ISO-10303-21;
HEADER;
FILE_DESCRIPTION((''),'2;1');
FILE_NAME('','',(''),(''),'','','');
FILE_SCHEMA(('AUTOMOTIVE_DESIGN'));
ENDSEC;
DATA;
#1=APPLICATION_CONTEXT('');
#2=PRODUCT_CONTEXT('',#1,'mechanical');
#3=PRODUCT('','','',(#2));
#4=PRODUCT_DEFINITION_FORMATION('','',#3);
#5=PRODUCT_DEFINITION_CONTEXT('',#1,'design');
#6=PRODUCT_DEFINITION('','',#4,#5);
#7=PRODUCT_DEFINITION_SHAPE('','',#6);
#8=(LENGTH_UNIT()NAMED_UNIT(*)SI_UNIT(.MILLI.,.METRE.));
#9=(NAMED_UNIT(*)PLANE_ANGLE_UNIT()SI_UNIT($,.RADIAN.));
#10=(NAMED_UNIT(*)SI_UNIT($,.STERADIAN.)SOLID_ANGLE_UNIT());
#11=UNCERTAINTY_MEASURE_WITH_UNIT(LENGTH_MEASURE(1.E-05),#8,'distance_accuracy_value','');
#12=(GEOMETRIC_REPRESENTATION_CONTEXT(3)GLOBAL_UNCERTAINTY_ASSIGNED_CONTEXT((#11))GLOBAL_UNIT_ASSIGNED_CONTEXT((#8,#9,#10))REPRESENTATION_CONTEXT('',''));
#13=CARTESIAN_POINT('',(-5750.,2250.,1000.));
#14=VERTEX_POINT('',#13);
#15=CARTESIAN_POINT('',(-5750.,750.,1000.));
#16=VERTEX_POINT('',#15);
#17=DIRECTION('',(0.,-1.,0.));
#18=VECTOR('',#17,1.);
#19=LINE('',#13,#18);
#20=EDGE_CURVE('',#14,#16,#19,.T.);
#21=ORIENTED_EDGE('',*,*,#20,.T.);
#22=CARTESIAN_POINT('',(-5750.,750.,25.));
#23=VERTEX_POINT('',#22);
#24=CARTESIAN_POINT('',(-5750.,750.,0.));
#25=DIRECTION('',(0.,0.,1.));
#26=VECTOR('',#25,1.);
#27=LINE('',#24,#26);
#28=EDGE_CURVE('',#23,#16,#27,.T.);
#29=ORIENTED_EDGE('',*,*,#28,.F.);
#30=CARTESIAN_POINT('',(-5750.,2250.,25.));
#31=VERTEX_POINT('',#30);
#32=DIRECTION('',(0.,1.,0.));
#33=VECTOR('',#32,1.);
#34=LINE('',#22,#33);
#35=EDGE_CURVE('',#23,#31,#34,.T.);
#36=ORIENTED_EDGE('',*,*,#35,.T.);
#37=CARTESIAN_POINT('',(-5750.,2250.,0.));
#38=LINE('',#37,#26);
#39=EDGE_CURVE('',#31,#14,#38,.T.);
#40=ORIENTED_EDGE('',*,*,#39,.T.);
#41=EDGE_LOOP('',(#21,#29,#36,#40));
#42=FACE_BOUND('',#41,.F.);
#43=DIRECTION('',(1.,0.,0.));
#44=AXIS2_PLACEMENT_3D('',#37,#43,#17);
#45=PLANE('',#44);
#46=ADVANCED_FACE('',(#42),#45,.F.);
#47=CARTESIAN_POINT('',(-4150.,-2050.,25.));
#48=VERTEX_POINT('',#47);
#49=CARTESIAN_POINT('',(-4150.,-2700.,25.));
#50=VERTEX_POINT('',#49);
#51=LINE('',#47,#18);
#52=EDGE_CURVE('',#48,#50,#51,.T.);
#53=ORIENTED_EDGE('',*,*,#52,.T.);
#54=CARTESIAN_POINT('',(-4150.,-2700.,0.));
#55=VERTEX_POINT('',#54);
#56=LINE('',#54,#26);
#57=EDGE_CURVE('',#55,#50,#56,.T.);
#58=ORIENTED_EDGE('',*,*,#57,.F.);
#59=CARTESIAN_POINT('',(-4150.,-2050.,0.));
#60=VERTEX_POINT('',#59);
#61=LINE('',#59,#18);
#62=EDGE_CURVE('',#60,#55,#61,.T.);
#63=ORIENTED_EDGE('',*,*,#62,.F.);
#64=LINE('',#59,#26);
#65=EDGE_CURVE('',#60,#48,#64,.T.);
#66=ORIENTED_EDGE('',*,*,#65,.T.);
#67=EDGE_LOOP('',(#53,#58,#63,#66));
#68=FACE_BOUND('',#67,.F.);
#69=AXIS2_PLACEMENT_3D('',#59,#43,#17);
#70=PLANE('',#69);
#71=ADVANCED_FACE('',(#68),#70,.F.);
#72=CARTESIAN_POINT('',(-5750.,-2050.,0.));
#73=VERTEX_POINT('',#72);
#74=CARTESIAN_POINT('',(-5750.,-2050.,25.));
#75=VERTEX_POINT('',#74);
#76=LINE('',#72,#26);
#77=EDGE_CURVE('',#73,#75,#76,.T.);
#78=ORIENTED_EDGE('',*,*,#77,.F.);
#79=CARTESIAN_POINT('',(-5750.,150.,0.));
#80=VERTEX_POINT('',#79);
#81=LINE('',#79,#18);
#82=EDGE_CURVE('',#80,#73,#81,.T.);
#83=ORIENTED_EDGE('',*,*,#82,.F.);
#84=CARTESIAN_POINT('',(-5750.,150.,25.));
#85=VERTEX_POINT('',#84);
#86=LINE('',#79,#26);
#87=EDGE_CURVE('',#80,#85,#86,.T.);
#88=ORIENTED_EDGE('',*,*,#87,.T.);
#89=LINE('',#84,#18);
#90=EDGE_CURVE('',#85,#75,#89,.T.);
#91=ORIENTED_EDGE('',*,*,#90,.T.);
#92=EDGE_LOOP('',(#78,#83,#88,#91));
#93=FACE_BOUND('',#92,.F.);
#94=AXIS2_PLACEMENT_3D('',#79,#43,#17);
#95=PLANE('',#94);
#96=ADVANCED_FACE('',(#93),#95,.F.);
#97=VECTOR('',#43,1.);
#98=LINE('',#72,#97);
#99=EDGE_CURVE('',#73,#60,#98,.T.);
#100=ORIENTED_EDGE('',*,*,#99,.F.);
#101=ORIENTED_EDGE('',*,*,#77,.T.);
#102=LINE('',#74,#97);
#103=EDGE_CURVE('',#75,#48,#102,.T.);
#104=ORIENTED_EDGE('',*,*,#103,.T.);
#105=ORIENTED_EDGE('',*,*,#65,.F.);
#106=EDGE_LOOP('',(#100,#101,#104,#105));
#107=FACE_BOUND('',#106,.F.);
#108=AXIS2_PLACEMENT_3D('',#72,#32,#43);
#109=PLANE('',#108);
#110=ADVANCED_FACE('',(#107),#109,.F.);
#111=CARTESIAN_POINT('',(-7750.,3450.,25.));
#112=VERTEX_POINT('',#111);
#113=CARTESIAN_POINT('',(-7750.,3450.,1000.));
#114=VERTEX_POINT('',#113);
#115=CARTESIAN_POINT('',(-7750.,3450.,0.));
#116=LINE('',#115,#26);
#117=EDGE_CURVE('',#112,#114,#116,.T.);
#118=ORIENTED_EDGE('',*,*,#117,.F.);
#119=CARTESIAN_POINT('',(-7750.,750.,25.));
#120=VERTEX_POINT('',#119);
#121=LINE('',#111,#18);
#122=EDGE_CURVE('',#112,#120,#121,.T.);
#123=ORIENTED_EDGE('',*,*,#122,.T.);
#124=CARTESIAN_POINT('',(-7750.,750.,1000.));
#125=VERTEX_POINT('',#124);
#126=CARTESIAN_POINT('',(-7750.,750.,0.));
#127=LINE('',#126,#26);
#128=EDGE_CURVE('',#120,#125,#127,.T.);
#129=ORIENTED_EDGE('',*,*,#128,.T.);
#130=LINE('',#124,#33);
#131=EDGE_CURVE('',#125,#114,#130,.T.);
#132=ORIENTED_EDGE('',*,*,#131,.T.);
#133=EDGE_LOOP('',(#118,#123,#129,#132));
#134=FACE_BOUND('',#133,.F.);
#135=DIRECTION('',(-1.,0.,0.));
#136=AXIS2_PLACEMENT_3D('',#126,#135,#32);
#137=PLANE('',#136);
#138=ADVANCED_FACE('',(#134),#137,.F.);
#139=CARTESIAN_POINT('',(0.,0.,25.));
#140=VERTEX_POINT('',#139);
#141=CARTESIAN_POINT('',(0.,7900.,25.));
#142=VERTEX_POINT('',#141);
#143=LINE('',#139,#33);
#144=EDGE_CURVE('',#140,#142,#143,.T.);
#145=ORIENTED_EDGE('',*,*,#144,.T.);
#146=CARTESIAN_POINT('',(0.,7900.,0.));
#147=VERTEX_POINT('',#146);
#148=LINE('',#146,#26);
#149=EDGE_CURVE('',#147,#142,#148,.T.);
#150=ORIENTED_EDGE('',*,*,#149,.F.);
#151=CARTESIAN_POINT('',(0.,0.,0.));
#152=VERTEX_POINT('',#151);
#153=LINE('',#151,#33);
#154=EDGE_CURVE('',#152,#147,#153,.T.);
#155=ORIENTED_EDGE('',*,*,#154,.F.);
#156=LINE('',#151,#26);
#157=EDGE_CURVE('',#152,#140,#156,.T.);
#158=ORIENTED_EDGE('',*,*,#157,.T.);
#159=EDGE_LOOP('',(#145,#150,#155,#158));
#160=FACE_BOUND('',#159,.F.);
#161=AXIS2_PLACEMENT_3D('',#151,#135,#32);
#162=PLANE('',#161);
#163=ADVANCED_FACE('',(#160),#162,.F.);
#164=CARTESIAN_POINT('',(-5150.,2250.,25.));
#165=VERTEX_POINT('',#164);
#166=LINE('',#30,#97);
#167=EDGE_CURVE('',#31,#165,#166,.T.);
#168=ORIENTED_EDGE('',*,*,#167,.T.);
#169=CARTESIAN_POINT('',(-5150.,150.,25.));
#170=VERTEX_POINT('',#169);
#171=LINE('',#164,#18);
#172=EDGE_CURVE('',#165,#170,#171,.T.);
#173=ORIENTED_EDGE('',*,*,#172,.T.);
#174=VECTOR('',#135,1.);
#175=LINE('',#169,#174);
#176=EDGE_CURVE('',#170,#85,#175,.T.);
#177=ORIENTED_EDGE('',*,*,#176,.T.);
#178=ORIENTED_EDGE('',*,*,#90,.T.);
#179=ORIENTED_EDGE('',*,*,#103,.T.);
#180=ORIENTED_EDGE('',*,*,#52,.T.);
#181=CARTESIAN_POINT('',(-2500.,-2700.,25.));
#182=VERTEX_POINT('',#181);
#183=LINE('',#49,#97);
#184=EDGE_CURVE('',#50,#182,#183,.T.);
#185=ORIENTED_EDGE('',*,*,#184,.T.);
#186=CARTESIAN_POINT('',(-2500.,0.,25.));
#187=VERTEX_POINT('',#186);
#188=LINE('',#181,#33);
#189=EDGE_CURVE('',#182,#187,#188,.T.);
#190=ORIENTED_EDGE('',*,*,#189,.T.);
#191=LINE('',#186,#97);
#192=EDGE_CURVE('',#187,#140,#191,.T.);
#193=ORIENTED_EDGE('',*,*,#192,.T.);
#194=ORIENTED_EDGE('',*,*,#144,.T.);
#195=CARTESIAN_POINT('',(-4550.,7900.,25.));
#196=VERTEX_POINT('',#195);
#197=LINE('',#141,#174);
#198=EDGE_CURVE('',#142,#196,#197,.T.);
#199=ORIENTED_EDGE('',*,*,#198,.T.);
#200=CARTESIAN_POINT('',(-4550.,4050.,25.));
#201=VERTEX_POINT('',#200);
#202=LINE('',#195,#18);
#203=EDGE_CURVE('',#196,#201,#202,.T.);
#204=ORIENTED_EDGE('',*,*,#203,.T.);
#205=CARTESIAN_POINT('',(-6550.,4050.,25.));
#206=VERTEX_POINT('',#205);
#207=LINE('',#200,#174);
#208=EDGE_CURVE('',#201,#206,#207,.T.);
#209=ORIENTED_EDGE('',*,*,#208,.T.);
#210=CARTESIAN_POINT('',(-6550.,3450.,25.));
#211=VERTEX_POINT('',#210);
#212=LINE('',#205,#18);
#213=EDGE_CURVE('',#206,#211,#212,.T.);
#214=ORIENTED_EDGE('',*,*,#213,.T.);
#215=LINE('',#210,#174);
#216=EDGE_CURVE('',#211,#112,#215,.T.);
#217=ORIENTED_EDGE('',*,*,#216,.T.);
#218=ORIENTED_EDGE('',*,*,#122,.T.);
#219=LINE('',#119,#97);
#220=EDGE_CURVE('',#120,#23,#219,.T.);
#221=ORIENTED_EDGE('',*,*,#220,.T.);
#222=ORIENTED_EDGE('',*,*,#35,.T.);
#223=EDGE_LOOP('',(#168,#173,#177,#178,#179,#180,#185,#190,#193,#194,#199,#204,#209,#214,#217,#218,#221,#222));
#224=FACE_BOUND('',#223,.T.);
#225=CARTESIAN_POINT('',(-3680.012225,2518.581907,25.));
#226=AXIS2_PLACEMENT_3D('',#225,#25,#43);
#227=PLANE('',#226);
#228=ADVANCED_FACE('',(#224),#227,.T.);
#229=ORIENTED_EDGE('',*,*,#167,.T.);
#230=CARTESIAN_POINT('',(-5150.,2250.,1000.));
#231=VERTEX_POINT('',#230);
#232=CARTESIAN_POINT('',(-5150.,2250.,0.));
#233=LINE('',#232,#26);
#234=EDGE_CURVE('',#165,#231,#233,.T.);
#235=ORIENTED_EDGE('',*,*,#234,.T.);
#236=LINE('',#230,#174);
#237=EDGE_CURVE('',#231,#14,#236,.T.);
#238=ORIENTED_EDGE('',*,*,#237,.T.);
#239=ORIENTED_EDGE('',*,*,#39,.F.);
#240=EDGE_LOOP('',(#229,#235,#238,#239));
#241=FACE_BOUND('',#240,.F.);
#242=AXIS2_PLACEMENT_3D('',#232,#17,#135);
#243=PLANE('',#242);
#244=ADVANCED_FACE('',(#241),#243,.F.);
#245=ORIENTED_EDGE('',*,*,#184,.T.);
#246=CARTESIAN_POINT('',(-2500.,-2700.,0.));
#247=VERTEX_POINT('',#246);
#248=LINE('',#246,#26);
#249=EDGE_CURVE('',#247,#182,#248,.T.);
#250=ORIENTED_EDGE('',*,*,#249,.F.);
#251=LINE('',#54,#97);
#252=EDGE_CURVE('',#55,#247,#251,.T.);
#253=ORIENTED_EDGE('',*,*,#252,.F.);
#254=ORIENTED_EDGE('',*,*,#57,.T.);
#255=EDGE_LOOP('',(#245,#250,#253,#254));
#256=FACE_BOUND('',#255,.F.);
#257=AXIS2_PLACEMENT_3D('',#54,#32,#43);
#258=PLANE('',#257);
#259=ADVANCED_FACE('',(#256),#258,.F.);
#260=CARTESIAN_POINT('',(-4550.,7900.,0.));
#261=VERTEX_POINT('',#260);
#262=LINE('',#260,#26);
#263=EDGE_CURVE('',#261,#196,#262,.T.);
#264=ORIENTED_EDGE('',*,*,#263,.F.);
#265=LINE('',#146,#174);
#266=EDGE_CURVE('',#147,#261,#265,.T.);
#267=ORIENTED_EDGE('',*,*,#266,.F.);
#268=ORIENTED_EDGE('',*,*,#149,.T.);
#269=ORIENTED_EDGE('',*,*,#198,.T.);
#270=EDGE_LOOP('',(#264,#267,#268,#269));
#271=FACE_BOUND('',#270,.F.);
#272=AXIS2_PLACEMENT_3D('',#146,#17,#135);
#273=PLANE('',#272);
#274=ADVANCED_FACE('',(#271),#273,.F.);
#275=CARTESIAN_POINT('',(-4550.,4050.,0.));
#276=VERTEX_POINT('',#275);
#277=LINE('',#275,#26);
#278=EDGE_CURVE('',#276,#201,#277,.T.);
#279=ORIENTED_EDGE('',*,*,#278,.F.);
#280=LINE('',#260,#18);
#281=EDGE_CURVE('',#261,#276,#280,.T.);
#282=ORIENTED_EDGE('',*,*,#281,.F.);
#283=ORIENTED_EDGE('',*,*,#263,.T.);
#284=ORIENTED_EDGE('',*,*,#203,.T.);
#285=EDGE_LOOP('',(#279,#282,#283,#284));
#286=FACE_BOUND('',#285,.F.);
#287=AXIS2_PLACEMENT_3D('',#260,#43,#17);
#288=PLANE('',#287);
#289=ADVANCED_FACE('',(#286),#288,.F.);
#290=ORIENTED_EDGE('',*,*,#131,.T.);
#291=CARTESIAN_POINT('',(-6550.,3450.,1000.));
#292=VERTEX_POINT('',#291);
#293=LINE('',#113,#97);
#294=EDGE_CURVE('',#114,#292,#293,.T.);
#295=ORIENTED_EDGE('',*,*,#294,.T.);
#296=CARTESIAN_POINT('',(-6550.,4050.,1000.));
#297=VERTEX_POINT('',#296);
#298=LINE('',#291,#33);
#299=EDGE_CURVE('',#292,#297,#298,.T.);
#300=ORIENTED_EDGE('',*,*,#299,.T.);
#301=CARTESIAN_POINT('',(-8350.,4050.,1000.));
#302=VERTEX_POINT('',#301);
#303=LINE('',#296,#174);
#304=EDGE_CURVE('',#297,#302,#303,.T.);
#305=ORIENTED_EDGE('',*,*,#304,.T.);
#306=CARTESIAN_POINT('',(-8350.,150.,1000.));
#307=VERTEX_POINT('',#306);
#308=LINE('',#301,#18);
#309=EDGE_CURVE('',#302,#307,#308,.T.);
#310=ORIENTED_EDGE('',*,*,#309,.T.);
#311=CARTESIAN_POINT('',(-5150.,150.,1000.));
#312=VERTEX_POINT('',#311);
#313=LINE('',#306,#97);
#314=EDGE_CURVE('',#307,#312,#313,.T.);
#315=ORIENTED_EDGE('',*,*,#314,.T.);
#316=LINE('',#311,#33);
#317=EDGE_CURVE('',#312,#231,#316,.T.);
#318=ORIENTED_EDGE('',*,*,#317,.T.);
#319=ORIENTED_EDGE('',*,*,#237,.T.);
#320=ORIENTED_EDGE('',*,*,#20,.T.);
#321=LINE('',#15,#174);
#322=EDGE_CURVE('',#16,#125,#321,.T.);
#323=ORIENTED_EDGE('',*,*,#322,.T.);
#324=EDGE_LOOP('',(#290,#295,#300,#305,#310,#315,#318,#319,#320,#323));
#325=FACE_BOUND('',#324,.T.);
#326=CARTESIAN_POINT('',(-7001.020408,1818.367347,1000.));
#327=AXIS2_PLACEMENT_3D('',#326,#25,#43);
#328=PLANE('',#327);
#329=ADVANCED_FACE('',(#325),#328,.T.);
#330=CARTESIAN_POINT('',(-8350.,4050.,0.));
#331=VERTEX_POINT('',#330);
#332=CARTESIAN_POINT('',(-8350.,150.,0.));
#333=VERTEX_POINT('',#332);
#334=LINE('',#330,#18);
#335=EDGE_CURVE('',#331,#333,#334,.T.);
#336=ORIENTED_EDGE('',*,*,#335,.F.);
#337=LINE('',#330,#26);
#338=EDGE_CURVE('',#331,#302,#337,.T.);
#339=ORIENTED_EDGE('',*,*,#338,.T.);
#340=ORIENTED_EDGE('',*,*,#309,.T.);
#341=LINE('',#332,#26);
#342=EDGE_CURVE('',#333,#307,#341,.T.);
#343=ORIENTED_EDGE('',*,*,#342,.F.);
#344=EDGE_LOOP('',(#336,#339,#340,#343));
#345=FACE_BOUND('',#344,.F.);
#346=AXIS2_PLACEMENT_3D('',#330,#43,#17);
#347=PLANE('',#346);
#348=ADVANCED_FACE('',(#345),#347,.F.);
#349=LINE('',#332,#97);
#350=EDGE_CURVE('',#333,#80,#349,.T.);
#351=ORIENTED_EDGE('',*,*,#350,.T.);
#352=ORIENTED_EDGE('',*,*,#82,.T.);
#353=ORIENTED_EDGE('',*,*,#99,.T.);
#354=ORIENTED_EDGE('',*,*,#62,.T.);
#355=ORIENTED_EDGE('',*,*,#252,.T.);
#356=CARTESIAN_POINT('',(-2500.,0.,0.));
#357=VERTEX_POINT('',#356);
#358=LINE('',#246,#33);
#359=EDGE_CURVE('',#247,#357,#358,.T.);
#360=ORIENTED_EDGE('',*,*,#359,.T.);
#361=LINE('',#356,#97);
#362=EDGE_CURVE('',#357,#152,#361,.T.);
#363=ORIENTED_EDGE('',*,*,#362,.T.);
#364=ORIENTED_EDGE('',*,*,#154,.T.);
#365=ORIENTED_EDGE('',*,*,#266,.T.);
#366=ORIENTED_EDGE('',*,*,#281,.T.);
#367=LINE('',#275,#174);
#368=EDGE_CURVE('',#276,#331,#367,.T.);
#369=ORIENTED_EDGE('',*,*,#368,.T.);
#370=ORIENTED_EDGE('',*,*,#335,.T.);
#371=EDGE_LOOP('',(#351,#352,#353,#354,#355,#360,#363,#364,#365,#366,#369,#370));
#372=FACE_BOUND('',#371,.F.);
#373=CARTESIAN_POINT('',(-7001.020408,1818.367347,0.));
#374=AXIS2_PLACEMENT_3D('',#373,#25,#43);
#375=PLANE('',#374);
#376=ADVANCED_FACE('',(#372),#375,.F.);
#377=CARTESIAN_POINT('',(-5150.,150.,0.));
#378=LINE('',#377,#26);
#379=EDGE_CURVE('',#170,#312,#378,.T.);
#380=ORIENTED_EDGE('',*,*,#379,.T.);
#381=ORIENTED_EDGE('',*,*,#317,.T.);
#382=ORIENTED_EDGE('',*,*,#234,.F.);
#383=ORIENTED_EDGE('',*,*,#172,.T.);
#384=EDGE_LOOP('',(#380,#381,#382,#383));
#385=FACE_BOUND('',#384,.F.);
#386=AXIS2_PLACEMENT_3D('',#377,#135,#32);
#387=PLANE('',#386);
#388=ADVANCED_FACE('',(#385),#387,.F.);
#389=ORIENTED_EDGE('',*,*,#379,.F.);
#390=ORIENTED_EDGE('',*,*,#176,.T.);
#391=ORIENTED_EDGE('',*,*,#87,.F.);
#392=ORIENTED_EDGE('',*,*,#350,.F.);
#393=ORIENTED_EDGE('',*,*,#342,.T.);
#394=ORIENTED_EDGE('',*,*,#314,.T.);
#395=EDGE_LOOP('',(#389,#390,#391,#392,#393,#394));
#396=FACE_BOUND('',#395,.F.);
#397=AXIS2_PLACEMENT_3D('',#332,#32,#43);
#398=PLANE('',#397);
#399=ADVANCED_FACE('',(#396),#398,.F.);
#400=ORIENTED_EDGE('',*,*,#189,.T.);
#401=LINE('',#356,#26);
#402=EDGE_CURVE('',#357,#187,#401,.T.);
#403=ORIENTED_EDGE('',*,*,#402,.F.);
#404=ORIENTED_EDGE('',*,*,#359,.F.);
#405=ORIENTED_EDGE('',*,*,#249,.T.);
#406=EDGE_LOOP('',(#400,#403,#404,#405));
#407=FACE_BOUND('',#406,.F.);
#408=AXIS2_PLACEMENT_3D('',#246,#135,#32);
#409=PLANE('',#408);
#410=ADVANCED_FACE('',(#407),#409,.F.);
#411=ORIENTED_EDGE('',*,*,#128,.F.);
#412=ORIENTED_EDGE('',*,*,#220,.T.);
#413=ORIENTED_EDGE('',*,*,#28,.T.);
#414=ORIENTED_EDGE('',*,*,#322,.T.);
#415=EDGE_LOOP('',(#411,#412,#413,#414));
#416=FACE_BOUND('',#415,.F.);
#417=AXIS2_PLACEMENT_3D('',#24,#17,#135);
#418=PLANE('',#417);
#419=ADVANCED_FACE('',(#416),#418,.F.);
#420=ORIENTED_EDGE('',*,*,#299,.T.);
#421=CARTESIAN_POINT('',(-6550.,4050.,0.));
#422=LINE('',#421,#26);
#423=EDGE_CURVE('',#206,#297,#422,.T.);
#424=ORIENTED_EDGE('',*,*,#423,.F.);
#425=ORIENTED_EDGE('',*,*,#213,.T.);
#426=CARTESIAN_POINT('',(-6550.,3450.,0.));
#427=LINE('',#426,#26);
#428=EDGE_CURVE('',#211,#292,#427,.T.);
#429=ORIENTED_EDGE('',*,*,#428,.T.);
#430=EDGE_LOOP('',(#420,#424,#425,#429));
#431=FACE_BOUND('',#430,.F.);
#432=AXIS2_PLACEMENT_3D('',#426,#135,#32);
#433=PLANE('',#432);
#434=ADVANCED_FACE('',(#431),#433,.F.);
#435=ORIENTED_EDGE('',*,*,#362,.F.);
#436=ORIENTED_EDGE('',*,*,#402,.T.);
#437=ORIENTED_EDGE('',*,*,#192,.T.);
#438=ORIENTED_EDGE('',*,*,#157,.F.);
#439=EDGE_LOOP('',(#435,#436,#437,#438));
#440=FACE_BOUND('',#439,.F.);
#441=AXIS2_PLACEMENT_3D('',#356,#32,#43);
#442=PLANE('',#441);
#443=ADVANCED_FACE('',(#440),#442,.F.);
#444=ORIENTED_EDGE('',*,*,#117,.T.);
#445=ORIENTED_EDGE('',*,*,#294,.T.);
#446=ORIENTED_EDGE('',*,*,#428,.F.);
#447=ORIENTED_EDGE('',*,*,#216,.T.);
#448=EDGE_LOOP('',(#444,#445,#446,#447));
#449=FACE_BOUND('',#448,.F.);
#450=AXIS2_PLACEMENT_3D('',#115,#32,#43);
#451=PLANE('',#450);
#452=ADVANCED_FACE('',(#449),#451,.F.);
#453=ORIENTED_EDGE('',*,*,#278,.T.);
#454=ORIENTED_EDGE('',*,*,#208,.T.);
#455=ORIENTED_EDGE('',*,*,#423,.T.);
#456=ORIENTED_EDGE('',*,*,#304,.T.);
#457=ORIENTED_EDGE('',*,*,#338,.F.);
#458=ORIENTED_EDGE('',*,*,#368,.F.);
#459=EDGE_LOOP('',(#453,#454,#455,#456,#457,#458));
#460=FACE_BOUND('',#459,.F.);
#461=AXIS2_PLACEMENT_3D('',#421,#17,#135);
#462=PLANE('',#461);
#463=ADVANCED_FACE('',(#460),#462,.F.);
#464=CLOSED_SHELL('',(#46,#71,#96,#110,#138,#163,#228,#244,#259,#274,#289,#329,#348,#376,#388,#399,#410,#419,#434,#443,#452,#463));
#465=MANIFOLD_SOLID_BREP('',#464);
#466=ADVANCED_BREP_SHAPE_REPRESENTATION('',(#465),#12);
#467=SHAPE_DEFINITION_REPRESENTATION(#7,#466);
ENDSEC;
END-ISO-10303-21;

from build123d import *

# Parameters (mm, degrees)
F2_DEPTH = 25
F3_DEPTH = 1000


with BuildPart() as f2:
    # F1 (on face) → F2 (new body)
    with BuildSketch(Plane.XY):
        Polygon((-4550, 7900), (-4550, 4050), (-6550, 4050), (-6550, 3450), (-7750, 3450), (-7750, 750), (-5750, 750), (-5750, 2250), (-5150, 2250), (-5150, 150), (-5750, 150), (-5750, -2050), (-4150, -2050), (-4150, -2700), (-2500, -2700), (-2500, 0), (0, 0), (0, 7900), align=None)
    extrude(amount=F2_DEPTH)

    # F1 (on face) → F3 (join)
    with BuildSketch(Plane.XY):
        Polygon((-6550, 3450), (-6550, 4050), (-8350, 4050), (-8350, 150), (-5750, 150), (-5150, 150), (-5150, 2250), (-5750, 2250), (-5750, 750), (-7750, 750), (-7750, 3450), align=None)
    extrude(amount=F3_DEPTH)


solid = f2.part
